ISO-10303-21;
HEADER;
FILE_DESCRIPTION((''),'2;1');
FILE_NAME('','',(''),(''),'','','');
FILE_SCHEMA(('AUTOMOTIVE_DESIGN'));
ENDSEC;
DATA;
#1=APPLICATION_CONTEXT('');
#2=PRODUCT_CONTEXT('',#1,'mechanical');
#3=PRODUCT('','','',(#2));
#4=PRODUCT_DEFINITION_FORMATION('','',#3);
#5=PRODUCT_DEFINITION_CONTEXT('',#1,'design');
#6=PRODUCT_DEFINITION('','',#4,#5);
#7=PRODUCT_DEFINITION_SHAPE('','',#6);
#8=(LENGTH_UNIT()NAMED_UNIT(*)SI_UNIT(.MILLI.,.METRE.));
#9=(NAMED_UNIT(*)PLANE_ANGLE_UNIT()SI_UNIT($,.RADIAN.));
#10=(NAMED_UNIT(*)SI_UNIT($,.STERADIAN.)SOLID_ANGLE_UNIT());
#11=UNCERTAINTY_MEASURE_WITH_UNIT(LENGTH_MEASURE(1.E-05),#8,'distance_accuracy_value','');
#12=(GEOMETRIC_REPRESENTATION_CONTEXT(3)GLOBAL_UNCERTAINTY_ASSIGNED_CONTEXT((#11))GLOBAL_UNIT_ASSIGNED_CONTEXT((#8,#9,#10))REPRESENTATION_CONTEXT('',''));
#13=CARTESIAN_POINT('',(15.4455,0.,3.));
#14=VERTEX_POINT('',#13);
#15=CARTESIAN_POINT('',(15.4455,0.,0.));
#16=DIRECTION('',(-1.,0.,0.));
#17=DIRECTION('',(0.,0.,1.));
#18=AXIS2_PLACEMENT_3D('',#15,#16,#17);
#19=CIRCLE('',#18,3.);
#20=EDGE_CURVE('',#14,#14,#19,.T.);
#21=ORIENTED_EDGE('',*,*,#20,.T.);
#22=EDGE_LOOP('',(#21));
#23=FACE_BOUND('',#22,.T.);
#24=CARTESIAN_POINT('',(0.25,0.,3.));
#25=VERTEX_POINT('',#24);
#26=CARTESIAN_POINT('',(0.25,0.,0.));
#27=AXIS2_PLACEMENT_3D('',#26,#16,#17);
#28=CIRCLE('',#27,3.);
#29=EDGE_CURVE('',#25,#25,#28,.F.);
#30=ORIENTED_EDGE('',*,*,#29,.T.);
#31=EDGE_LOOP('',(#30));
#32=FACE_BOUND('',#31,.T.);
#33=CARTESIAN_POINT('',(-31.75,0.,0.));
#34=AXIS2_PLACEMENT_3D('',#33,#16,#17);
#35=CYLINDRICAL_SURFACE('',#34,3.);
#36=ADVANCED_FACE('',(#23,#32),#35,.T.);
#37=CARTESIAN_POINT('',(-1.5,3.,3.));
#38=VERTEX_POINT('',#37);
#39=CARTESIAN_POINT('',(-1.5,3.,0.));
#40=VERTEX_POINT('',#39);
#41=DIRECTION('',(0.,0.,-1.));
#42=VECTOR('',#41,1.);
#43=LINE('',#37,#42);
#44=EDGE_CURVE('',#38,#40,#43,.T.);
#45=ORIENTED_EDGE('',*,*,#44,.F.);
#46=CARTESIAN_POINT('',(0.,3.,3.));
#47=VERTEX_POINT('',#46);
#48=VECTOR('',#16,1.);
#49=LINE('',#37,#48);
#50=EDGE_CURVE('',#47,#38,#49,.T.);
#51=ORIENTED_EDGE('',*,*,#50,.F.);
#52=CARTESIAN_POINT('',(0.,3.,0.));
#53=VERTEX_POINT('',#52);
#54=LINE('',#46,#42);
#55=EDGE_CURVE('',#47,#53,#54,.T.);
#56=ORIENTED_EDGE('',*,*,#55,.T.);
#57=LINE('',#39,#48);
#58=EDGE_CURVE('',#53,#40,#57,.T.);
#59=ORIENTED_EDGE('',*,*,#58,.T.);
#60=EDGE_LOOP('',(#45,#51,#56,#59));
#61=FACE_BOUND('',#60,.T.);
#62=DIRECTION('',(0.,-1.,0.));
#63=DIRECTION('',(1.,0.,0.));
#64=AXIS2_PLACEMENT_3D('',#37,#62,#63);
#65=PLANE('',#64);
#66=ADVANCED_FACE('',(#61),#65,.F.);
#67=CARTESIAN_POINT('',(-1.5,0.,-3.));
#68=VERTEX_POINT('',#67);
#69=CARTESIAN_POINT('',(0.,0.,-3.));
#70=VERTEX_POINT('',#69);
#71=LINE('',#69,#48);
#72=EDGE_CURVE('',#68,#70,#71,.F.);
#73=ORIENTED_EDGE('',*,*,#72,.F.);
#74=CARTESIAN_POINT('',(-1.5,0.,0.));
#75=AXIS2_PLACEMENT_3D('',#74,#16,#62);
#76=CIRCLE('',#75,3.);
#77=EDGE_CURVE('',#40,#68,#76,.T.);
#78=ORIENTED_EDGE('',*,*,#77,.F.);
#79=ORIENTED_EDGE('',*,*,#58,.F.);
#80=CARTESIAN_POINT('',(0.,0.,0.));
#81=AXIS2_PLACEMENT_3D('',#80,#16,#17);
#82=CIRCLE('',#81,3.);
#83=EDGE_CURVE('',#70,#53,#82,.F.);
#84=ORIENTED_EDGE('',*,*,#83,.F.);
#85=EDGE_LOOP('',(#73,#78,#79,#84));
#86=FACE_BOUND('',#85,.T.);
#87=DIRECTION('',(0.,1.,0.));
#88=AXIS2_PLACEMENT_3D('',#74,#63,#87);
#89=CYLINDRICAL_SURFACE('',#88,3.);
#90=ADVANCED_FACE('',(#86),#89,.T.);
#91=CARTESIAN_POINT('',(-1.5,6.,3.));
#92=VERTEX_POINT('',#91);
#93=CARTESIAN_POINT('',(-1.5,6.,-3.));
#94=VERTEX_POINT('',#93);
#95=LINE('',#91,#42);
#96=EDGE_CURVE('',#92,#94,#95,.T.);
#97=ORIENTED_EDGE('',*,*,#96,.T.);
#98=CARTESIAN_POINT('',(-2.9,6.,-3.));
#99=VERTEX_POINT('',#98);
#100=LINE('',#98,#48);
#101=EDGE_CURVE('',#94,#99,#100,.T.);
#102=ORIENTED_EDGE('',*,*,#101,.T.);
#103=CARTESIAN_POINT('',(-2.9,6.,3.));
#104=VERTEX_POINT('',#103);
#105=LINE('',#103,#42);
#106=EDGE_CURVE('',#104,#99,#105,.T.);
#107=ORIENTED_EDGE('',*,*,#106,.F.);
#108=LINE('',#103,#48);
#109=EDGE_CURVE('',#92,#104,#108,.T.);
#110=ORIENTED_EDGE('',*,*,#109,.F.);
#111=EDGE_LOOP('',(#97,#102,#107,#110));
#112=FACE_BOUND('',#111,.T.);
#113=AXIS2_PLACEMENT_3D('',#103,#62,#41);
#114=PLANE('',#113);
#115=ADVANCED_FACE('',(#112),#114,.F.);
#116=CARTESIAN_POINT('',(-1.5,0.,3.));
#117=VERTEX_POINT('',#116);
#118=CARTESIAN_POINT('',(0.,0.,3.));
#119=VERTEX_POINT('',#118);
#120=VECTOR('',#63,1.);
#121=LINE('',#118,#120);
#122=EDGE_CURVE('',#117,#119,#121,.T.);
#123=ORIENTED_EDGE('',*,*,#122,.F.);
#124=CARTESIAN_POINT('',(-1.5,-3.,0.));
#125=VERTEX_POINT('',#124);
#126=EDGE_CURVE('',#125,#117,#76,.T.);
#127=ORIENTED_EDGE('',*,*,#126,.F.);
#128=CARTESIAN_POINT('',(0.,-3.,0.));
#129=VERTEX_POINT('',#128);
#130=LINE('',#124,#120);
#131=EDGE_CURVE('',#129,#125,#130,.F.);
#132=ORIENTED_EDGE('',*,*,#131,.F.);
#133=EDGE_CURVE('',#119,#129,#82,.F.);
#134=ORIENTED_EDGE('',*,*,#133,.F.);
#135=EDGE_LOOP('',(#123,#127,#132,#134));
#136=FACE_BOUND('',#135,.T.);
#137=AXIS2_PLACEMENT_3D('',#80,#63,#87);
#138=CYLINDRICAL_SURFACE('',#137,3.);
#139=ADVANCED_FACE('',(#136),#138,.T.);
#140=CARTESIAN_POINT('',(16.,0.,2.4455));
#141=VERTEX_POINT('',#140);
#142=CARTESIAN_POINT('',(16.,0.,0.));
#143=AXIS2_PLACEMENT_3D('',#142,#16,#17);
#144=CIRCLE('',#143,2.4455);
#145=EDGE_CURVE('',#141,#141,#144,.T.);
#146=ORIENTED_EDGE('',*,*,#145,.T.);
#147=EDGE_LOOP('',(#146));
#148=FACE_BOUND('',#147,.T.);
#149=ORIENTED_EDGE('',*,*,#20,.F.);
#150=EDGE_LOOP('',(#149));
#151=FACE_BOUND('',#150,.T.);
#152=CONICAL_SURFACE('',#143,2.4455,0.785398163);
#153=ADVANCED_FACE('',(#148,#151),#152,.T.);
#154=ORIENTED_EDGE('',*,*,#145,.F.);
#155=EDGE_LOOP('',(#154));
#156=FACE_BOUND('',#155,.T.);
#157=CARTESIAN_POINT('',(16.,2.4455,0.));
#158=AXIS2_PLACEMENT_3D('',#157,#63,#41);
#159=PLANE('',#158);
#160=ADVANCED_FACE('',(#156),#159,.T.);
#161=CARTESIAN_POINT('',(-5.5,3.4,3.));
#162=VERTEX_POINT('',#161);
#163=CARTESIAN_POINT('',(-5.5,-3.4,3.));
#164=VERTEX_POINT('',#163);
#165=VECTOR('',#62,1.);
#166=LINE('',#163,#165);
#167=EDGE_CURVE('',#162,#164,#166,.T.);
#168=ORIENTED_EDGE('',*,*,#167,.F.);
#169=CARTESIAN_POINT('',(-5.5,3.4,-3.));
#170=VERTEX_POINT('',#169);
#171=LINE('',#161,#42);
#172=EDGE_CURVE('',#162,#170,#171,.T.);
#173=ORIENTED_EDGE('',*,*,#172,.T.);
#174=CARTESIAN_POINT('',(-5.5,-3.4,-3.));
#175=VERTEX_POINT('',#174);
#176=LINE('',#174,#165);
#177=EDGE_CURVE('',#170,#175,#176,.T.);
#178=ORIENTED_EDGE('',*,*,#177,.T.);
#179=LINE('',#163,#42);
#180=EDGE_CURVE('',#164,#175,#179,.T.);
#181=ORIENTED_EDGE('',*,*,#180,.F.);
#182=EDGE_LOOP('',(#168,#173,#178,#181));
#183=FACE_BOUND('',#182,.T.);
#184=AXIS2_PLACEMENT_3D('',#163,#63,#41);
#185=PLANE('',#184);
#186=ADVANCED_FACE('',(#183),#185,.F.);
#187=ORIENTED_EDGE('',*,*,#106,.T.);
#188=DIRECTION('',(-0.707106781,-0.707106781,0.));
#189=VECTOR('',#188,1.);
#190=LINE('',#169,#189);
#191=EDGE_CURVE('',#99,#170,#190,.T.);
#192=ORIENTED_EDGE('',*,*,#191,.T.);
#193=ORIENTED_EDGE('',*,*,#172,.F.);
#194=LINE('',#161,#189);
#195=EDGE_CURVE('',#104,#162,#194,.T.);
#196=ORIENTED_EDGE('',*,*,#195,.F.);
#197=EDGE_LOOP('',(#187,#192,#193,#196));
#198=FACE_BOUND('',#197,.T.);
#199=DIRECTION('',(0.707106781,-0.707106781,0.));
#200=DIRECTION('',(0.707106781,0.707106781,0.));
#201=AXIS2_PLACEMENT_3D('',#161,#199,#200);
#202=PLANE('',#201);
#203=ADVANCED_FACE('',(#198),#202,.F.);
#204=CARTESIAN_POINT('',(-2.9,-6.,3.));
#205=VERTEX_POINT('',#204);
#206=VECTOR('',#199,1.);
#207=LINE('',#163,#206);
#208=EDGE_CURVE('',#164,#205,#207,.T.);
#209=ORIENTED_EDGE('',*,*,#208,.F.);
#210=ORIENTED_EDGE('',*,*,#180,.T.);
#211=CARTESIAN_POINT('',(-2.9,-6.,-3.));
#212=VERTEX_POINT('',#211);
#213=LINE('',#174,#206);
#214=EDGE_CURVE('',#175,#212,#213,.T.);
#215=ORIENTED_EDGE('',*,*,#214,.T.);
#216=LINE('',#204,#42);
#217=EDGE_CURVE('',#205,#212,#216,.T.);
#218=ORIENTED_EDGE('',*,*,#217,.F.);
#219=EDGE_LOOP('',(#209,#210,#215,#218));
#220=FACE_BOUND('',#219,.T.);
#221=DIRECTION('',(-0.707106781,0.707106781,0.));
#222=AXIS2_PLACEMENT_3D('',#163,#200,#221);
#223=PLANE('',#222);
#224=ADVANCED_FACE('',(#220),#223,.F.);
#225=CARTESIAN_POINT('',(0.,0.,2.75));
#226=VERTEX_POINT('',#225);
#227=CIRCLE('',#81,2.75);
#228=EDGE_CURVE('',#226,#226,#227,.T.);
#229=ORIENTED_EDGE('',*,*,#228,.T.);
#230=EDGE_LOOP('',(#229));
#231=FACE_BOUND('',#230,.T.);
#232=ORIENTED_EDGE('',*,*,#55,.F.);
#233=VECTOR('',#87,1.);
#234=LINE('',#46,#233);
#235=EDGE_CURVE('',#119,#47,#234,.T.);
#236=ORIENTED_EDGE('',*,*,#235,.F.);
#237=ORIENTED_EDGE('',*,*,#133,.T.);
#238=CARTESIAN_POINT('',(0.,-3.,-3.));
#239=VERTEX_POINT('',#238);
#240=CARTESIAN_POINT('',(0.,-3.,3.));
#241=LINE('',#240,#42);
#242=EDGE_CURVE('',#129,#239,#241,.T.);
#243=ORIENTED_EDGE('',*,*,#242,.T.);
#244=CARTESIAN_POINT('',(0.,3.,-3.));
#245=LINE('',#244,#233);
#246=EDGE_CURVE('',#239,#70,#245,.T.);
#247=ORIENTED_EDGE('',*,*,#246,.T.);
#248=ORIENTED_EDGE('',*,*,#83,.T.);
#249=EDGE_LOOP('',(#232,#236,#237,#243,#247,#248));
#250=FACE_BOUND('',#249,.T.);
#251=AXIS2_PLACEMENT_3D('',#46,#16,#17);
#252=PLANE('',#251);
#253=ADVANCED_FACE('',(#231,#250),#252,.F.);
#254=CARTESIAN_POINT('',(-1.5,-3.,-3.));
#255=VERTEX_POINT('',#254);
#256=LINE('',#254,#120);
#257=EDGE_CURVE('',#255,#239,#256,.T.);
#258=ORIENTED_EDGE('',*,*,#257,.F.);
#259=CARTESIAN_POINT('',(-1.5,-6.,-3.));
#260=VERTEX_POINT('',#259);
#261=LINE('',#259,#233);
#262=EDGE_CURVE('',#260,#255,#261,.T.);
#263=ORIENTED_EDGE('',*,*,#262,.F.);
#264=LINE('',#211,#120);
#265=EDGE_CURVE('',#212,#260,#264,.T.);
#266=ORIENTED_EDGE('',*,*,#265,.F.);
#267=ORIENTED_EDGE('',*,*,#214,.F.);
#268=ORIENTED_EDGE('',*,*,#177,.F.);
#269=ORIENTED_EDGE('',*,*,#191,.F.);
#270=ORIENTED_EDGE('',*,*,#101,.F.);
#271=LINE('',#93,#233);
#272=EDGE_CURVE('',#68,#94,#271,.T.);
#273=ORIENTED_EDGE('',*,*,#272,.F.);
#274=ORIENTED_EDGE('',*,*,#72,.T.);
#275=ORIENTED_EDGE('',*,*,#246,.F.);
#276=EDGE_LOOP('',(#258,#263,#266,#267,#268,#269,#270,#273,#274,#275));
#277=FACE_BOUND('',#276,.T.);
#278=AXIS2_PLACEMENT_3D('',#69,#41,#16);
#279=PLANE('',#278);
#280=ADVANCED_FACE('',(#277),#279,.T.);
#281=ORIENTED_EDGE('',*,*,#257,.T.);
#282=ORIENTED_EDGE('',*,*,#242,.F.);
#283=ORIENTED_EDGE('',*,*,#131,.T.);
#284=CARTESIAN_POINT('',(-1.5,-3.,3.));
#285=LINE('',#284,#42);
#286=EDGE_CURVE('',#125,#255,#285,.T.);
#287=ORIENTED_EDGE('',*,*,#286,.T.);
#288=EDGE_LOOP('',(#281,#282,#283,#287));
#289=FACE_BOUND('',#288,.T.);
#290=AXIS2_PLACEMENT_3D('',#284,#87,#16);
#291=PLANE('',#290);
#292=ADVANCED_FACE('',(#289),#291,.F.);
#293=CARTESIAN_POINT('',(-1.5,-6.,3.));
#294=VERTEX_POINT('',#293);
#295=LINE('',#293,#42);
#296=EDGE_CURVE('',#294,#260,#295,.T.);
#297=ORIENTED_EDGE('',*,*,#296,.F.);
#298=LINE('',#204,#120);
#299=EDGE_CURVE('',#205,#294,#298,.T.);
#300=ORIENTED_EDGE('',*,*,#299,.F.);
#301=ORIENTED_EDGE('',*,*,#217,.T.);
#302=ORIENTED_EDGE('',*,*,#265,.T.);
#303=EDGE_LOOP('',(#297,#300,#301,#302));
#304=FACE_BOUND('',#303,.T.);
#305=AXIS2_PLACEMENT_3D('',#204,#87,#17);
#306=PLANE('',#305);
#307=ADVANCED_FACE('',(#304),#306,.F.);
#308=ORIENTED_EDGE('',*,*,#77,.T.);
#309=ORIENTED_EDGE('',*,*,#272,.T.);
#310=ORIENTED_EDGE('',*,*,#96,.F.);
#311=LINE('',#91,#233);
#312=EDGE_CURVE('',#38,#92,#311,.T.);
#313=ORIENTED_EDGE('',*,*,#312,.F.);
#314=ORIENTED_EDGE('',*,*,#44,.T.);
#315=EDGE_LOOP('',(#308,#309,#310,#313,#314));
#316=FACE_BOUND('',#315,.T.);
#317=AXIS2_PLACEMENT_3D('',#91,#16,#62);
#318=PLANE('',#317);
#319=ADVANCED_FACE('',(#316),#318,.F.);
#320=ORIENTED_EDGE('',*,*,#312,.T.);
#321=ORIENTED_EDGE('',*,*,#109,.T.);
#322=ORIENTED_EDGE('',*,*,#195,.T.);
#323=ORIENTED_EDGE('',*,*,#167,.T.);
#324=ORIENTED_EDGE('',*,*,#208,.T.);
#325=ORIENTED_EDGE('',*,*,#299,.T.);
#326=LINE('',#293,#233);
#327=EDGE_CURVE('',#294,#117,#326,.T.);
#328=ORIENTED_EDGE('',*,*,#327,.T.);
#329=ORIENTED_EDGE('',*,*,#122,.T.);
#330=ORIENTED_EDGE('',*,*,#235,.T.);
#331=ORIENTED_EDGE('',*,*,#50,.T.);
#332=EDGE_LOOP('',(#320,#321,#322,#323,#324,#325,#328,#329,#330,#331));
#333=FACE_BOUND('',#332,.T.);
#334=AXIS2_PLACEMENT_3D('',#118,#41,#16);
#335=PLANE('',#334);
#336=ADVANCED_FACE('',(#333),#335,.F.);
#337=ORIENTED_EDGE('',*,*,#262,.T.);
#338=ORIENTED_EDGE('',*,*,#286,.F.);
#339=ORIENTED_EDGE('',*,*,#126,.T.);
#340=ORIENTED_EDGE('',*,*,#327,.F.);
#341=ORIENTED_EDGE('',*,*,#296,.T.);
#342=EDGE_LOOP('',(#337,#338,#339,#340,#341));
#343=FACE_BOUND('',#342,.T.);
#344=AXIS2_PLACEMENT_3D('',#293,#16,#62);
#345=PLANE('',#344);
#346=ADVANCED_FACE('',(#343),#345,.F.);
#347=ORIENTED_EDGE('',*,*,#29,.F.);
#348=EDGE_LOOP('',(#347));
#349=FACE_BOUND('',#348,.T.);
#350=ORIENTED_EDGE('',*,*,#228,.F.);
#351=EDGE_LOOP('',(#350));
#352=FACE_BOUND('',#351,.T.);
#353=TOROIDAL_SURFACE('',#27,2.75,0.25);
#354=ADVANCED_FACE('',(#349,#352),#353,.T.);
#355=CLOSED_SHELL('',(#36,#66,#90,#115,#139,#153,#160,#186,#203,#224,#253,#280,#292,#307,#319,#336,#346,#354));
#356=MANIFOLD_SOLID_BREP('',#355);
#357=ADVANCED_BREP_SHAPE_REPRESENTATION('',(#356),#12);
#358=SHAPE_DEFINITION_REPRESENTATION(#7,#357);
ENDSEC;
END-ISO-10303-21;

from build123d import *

# Parameters (mm, degrees)
FILLET1_R           = 0.25
BOSS_EXTRUDE1_DEPTH = 3
FILLET2_R           = 3


with BuildPart() as part:
    # BodySke → Base-Revolve (revolve)
    with BuildSketch(Plane.XY):
        Polygon((0, 0), (0, 3), (15.4455, 3), (16, 2.4455), (16, 0), align=None)
    revolve(axis=Axis((-31.75, 0, 0), (1, 0, 0)))

    # Fillet1
    fillet1_edges = [part.edges().sort_by_distance(p)[0] for p in [
        (0, -3, 0),
    ]]
    fillet(fillet1_edges, radius=FILLET1_R)

    # Sketch1 → Boss-Extrude1 (add, symmetric)
    with BuildSketch(Plane.XY):
        Polygon((-5.5, -3.4), (-5.5, 3.4), (-2.9, 6), (-1.5, 6), (-1.5, 3), (0, 3), (0, -3), (-1.5, -3), (-1.5, -6), (-2.9, -6), align=None)
    extrude(amount=BOSS_EXTRUDE1_DEPTH, both=True)

    # Fillet2
    fillet2_edges = [part.edges().sort_by_distance(p)[0] for p in [
        (-0.75, 3, -3),
        (-0.75, -3, 3),
    ]]
    fillet(fillet2_edges, radius=FILLET2_R)


solid = part.part
